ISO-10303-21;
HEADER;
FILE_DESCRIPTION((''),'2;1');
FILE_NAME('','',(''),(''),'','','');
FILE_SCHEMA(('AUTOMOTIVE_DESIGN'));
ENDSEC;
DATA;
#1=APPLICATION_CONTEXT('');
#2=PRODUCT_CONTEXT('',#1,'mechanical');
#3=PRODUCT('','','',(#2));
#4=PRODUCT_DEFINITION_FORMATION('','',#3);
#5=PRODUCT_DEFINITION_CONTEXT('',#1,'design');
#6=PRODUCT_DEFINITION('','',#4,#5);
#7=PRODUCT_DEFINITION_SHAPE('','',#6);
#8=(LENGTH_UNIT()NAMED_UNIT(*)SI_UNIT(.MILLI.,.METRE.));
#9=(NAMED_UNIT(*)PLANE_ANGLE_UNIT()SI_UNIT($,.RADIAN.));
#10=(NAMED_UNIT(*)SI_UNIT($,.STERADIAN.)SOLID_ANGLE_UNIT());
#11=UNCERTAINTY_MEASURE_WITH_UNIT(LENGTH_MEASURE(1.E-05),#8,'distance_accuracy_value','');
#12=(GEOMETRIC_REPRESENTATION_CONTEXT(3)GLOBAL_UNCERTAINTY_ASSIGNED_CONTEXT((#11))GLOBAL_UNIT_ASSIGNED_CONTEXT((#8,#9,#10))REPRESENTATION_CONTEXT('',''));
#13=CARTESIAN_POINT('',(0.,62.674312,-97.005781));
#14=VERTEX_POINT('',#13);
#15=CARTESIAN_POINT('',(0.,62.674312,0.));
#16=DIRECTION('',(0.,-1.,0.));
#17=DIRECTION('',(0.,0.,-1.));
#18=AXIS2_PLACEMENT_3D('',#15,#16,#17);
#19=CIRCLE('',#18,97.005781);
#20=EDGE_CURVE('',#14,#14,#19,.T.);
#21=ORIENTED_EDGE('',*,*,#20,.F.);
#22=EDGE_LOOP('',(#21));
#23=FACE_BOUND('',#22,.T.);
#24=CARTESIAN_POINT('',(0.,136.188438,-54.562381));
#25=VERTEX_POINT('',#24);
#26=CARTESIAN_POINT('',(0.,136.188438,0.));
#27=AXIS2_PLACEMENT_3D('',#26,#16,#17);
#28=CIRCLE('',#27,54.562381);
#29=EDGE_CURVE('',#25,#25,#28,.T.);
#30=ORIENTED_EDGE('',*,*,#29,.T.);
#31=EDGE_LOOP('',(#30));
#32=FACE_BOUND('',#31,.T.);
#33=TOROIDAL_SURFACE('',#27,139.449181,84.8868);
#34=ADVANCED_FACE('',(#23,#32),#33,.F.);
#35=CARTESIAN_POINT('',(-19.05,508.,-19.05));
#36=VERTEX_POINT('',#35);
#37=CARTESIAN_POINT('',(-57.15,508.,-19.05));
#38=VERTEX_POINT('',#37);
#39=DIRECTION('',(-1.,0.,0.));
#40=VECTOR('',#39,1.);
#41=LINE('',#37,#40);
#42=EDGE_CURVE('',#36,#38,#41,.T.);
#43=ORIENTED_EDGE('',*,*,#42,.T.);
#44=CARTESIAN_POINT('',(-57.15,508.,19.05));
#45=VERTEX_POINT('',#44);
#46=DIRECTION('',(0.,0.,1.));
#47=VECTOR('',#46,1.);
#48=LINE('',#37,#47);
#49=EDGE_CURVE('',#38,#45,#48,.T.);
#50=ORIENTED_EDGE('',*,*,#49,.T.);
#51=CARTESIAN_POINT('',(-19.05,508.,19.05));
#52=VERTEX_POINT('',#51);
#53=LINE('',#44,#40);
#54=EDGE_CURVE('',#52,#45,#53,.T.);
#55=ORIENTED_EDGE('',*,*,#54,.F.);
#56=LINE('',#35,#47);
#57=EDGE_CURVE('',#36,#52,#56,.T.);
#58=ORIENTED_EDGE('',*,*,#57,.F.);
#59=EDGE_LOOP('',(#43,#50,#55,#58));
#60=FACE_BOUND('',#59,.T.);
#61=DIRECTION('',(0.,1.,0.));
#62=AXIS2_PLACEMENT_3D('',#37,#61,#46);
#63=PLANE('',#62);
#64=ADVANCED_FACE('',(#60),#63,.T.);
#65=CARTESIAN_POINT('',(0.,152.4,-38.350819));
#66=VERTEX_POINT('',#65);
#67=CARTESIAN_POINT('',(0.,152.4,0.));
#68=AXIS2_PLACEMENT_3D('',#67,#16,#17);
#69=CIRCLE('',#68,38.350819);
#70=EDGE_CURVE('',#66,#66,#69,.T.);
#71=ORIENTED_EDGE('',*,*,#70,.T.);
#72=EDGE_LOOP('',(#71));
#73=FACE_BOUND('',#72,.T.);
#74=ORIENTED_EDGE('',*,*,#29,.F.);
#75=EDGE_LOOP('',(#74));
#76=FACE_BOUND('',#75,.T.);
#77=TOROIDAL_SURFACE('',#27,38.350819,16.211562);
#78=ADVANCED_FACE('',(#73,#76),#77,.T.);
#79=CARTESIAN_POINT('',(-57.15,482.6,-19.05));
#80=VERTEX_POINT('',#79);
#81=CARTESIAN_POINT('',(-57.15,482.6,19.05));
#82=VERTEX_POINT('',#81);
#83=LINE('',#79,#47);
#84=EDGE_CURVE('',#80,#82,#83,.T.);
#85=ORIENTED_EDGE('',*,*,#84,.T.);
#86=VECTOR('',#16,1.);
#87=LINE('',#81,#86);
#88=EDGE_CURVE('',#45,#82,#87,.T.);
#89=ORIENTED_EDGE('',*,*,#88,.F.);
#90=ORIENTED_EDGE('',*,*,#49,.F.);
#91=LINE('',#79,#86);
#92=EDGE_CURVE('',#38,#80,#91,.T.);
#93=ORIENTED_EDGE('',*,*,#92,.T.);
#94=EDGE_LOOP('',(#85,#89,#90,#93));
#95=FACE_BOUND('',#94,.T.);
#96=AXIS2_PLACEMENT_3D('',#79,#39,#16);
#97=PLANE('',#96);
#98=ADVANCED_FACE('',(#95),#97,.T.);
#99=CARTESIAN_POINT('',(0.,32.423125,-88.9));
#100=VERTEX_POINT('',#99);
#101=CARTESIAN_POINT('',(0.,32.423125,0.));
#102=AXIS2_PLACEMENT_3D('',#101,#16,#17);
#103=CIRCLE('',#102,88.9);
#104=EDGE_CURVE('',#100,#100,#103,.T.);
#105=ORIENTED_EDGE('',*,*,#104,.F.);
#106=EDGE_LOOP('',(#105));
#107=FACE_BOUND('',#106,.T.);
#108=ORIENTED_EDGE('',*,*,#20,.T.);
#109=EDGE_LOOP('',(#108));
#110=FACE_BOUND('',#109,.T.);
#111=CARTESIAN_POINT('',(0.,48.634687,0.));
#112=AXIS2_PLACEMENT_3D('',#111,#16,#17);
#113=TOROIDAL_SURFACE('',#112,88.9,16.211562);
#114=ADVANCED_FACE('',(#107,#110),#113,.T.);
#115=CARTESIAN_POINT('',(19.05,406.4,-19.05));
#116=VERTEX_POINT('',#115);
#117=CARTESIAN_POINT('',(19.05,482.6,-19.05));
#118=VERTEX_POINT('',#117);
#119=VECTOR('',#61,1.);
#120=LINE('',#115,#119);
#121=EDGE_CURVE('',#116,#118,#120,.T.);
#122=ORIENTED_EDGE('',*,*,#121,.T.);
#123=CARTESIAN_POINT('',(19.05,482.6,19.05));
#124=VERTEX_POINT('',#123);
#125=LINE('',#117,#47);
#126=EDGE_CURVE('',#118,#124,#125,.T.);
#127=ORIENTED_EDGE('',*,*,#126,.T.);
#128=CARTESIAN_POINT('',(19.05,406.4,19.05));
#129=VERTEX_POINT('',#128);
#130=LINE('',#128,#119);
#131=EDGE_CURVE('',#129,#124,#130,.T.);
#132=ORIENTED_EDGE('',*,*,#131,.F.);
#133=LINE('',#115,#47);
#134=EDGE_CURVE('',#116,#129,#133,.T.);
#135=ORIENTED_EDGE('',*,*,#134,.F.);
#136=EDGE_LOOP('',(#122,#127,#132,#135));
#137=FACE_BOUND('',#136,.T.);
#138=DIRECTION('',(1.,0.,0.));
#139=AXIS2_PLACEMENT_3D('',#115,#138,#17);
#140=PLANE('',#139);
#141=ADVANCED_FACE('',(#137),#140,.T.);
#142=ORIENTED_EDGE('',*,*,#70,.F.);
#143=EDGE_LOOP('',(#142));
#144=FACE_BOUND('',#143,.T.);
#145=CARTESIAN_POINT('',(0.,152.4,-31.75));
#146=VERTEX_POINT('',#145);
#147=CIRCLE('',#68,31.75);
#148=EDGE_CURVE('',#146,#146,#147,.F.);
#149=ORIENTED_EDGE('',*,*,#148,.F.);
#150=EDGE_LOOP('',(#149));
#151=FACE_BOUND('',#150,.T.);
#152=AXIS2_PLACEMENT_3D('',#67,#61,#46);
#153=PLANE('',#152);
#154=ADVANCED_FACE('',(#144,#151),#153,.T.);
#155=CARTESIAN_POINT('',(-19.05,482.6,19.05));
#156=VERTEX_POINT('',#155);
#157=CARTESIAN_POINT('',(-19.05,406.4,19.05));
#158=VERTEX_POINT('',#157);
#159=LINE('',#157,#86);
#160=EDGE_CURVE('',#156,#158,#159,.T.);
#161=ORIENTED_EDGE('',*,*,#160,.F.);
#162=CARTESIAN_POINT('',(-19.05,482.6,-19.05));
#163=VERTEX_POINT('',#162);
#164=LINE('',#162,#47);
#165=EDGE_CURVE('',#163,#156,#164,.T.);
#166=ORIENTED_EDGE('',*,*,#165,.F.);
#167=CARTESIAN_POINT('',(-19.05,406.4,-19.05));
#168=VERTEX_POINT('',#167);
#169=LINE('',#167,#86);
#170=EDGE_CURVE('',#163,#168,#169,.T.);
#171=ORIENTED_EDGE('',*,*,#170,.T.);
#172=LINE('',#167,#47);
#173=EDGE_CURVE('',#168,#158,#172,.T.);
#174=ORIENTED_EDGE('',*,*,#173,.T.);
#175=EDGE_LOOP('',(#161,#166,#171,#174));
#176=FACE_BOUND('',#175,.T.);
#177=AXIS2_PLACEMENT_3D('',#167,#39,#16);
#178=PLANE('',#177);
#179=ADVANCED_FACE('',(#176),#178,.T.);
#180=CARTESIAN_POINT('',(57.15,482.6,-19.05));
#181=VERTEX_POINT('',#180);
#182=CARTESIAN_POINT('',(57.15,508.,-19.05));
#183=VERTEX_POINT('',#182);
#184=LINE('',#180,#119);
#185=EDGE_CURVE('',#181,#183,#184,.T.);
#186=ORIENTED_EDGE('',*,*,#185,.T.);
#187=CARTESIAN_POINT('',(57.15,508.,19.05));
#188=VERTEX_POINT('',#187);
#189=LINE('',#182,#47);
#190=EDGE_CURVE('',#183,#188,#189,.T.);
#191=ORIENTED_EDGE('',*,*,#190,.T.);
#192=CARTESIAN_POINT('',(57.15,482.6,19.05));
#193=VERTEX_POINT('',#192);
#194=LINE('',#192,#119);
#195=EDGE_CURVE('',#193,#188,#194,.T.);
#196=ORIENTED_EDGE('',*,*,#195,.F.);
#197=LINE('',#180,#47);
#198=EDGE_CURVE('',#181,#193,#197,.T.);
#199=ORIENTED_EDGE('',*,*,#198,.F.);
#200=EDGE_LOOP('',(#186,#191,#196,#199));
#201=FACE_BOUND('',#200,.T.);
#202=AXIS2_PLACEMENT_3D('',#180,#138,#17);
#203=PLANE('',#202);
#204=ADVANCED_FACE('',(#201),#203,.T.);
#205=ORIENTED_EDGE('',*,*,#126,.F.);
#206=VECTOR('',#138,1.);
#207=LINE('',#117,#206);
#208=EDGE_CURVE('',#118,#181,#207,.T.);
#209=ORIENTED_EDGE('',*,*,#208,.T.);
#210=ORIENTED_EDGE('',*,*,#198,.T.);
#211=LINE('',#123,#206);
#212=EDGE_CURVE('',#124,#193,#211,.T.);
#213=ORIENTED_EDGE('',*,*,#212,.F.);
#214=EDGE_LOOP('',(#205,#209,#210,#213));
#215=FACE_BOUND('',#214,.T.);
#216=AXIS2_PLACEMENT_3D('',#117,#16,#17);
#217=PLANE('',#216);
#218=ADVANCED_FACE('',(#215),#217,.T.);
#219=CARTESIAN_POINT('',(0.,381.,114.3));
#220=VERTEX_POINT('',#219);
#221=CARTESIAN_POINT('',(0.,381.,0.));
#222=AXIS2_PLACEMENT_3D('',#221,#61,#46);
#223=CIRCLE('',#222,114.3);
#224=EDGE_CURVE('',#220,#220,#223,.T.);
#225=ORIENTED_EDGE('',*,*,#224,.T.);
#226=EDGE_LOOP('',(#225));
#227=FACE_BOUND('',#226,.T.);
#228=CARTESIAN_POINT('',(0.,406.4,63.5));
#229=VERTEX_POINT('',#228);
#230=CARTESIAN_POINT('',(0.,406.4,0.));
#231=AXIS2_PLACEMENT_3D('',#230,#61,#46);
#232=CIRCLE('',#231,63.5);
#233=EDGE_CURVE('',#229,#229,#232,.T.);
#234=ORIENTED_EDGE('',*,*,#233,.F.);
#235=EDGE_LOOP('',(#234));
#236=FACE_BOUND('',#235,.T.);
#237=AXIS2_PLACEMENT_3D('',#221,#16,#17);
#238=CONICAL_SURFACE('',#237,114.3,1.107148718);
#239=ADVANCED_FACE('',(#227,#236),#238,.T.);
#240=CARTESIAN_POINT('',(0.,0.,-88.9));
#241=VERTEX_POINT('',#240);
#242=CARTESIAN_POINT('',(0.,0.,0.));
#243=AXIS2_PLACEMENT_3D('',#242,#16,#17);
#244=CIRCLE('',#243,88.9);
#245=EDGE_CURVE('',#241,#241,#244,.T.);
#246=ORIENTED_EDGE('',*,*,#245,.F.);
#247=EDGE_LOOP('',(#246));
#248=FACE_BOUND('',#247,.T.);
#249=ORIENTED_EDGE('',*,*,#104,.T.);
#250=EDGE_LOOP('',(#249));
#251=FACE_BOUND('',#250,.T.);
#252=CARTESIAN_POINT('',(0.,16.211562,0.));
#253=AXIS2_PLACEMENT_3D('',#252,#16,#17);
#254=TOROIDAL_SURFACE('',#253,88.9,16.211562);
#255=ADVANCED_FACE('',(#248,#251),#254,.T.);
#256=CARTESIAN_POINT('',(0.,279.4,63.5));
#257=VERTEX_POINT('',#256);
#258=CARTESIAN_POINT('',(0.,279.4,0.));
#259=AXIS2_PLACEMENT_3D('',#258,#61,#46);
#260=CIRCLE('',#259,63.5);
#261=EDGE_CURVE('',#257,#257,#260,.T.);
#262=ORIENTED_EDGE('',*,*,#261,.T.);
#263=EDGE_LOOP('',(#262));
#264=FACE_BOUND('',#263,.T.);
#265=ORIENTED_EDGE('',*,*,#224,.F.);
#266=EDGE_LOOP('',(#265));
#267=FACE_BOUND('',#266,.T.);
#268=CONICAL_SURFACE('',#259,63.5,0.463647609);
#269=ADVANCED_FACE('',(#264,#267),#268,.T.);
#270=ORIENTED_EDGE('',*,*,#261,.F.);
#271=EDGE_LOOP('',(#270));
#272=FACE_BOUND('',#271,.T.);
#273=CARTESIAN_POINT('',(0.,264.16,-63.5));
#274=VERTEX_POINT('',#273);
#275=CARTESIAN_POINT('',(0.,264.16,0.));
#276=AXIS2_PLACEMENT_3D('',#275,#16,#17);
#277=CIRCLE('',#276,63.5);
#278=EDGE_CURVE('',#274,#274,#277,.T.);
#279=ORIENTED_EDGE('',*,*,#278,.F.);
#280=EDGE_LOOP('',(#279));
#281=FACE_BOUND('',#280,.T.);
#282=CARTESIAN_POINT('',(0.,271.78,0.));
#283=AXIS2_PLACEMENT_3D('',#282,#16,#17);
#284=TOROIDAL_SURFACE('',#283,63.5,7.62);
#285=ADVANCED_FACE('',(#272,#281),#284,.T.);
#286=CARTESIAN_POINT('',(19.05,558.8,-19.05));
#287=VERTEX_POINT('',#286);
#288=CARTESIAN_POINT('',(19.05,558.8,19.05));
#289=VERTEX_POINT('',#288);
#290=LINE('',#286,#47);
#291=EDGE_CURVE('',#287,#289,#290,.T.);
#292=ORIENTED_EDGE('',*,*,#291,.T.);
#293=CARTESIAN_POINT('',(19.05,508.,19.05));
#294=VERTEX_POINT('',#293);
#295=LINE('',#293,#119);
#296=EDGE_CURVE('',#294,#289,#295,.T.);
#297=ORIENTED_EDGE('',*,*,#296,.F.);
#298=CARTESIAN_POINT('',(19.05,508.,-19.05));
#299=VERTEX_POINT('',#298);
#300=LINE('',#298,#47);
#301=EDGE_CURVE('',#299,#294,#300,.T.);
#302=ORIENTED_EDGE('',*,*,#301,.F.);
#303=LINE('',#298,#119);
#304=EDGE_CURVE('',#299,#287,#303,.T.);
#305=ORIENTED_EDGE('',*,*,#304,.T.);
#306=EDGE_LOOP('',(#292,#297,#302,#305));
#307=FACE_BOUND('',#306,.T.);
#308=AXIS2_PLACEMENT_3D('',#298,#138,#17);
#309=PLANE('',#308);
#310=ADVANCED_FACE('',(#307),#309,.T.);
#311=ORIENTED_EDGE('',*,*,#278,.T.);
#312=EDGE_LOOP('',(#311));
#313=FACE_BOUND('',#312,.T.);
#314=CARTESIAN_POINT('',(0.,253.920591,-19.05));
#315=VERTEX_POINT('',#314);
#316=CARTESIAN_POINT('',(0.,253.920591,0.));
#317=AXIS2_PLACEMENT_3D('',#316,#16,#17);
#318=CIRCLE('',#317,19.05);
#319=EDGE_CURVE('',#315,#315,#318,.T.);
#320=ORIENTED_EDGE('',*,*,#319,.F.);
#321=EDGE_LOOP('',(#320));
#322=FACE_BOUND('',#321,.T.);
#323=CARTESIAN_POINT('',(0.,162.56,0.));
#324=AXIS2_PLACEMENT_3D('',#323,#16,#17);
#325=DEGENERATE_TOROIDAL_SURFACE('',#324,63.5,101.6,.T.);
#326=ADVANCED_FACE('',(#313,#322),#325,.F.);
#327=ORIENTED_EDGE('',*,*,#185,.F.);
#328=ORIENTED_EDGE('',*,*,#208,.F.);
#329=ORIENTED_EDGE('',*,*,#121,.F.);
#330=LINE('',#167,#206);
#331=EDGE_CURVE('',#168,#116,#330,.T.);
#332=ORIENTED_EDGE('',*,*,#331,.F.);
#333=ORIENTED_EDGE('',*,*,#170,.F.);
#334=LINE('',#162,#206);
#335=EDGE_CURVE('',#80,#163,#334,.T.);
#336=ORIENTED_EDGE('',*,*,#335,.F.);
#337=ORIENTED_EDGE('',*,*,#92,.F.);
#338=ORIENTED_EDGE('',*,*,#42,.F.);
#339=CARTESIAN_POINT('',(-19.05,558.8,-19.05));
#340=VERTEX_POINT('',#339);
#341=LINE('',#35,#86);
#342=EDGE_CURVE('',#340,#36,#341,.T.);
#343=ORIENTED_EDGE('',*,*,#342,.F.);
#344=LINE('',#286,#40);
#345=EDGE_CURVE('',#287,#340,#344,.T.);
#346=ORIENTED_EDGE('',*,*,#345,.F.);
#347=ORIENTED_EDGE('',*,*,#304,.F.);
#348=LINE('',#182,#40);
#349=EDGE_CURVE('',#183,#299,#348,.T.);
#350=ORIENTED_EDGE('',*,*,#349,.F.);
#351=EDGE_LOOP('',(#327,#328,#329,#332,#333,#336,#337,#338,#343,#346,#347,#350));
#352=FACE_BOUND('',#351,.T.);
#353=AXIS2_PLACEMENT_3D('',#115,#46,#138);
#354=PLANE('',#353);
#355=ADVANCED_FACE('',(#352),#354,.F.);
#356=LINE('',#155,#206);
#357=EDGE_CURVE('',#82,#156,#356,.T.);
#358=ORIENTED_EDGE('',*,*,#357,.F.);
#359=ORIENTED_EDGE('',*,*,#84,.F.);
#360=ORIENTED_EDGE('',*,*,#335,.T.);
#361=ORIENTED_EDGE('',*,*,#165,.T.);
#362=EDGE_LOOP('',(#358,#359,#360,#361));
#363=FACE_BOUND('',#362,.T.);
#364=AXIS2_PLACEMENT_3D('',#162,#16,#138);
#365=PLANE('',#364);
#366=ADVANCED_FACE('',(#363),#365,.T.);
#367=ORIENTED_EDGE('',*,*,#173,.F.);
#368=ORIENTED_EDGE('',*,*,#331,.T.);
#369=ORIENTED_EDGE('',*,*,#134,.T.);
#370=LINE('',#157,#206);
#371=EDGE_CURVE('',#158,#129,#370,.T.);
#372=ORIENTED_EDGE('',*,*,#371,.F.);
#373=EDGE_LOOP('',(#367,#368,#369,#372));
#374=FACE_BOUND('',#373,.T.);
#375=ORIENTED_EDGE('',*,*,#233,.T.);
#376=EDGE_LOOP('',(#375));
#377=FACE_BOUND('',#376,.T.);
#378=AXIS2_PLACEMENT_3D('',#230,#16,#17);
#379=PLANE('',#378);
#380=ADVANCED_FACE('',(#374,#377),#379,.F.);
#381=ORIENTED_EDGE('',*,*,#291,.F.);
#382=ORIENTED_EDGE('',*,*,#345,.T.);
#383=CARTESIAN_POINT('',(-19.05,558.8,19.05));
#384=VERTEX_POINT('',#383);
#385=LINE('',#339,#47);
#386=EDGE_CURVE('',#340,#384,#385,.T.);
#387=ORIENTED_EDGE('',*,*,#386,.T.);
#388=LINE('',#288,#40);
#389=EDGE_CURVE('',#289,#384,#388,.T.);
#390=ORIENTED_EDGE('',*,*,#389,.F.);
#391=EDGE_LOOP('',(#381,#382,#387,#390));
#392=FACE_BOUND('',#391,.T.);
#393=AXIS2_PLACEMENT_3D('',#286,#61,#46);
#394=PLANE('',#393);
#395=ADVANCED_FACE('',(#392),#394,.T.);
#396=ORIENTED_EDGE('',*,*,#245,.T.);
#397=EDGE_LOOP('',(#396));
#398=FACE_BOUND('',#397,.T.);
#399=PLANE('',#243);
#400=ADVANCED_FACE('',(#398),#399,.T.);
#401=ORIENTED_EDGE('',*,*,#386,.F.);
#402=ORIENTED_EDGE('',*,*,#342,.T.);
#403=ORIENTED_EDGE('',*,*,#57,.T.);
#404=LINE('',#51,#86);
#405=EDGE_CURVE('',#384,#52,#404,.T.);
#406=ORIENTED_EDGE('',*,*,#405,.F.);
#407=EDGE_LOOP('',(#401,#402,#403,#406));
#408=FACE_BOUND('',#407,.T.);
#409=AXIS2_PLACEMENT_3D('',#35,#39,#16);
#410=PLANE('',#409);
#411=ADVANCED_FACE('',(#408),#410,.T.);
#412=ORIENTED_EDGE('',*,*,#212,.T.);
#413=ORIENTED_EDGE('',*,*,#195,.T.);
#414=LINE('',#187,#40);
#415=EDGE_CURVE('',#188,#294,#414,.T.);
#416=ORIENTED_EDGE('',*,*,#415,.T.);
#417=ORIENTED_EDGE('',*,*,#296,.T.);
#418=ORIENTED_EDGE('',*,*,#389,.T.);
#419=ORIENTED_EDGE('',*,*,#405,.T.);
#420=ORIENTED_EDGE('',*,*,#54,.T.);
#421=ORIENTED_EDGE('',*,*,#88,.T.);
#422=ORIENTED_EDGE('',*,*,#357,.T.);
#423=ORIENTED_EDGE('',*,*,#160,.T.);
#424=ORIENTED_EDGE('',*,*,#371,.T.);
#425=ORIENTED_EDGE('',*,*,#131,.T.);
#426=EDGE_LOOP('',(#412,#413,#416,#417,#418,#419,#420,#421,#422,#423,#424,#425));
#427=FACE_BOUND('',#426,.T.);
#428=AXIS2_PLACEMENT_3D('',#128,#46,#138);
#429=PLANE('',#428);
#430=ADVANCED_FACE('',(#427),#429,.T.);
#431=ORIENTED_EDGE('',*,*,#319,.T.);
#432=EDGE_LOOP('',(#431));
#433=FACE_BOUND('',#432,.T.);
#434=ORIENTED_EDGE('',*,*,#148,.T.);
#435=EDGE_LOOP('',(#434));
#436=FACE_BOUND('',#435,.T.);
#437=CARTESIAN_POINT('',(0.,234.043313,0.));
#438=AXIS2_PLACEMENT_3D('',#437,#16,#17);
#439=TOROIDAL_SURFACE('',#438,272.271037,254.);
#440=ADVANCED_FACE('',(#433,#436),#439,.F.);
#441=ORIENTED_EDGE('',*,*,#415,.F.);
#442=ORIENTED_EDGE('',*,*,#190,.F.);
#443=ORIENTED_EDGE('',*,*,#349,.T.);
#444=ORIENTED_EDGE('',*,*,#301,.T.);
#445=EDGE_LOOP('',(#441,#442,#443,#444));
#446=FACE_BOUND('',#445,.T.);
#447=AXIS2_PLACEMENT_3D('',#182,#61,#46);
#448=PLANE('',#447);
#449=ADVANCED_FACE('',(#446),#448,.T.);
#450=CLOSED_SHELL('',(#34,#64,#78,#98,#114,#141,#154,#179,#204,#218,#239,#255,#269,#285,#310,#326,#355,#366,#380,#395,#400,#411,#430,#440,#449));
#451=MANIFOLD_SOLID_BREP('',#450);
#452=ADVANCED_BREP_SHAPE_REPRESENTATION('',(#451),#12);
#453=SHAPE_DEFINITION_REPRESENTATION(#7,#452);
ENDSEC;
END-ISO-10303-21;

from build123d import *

# Parameters (mm, degrees)
BOSS_EXTRUDE1_DEPTH      = 19.05
BOSS_EXTRUDE1_DEPTH_BACK = 19.05


with BuildPart() as part:
    # Sketch1 → Revolve2 (revolve)
    with BuildSketch(Plane.XY):
        with BuildLine():
            Line((0, 0), (88.9, 0))
            ThreePointArc((88.9, 0), (105.111562458, 16.211562458), (88.9, 32.423124915))
            ThreePointArc((88.9, 32.423124915), (104.559166862, 44.438826258), (97.005781229, 62.674312296))
            ThreePointArc((97.005781229, 62.674312296), (65.935055983, 93.745037542), (54.562381229, 136.188437542))
            ThreePointArc((54.562381229, 136.188437542), (49.814124519, 147.65174329), (38.350818771, 152.4))
            Line((38.350818771, 152.4), (0, 152.4))
            Line((0, 152.4), (0, 0))
        make_face()
    revolve(axis=Axis((0, 0, 0), (0, 1, 0)))

    # Sketch3 → Revolve4 (revolve)
    with BuildSketch(Plane.XY):
        with BuildLine():
            Line((0, 152.4), (0, 279.4))
            Line((0, 279.4), (63.5, 279.4))
            ThreePointArc((63.5, 279.4), (71.12, 271.78), (63.5, 264.16))
            ThreePointArc((63.5, 264.16), (40.692939654, 261.567060346), (19.05, 253.920590519))
            ThreePointArc((19.05, 253.920590519), (20.235490937, 202.514226666), (31.75, 152.4))
            Line((31.75, 152.4), (0, 152.4))
        make_face()
    revolve(axis=Axis((0, 152.4, 0), (0, 1, 0)))

    # Sketch4 → Revolve5 (revolve)
    with BuildSketch(Plane.XY):
        Polygon((0, 279.4), (0, 406.4), (63.5, 406.4), (114.3, 381), (63.5, 279.4), align=None)
    revolve(axis=Axis((0, 279.4, 0), (0, -1, 0)))

    # Sketch5 → Boss-Extrude1 (add, two sides: drawn at the far end of the back side and taken through both)
    with BuildSketch(Plane.XY.offset(-BOSS_EXTRUDE1_DEPTH_BACK)):
        Polygon((19.05, 406.4), (19.05, 482.6), (57.15, 482.6), (57.15, 508), (19.05, 508), (19.05, 558.8), (-19.05, 558.8), (-19.05, 508), (-57.15, 508), (-57.15, 482.6), (-19.05, 482.6), (-19.05, 406.4), align=None)
    extrude(amount=BOSS_EXTRUDE1_DEPTH + BOSS_EXTRUDE1_DEPTH_BACK)


solid = part.part
